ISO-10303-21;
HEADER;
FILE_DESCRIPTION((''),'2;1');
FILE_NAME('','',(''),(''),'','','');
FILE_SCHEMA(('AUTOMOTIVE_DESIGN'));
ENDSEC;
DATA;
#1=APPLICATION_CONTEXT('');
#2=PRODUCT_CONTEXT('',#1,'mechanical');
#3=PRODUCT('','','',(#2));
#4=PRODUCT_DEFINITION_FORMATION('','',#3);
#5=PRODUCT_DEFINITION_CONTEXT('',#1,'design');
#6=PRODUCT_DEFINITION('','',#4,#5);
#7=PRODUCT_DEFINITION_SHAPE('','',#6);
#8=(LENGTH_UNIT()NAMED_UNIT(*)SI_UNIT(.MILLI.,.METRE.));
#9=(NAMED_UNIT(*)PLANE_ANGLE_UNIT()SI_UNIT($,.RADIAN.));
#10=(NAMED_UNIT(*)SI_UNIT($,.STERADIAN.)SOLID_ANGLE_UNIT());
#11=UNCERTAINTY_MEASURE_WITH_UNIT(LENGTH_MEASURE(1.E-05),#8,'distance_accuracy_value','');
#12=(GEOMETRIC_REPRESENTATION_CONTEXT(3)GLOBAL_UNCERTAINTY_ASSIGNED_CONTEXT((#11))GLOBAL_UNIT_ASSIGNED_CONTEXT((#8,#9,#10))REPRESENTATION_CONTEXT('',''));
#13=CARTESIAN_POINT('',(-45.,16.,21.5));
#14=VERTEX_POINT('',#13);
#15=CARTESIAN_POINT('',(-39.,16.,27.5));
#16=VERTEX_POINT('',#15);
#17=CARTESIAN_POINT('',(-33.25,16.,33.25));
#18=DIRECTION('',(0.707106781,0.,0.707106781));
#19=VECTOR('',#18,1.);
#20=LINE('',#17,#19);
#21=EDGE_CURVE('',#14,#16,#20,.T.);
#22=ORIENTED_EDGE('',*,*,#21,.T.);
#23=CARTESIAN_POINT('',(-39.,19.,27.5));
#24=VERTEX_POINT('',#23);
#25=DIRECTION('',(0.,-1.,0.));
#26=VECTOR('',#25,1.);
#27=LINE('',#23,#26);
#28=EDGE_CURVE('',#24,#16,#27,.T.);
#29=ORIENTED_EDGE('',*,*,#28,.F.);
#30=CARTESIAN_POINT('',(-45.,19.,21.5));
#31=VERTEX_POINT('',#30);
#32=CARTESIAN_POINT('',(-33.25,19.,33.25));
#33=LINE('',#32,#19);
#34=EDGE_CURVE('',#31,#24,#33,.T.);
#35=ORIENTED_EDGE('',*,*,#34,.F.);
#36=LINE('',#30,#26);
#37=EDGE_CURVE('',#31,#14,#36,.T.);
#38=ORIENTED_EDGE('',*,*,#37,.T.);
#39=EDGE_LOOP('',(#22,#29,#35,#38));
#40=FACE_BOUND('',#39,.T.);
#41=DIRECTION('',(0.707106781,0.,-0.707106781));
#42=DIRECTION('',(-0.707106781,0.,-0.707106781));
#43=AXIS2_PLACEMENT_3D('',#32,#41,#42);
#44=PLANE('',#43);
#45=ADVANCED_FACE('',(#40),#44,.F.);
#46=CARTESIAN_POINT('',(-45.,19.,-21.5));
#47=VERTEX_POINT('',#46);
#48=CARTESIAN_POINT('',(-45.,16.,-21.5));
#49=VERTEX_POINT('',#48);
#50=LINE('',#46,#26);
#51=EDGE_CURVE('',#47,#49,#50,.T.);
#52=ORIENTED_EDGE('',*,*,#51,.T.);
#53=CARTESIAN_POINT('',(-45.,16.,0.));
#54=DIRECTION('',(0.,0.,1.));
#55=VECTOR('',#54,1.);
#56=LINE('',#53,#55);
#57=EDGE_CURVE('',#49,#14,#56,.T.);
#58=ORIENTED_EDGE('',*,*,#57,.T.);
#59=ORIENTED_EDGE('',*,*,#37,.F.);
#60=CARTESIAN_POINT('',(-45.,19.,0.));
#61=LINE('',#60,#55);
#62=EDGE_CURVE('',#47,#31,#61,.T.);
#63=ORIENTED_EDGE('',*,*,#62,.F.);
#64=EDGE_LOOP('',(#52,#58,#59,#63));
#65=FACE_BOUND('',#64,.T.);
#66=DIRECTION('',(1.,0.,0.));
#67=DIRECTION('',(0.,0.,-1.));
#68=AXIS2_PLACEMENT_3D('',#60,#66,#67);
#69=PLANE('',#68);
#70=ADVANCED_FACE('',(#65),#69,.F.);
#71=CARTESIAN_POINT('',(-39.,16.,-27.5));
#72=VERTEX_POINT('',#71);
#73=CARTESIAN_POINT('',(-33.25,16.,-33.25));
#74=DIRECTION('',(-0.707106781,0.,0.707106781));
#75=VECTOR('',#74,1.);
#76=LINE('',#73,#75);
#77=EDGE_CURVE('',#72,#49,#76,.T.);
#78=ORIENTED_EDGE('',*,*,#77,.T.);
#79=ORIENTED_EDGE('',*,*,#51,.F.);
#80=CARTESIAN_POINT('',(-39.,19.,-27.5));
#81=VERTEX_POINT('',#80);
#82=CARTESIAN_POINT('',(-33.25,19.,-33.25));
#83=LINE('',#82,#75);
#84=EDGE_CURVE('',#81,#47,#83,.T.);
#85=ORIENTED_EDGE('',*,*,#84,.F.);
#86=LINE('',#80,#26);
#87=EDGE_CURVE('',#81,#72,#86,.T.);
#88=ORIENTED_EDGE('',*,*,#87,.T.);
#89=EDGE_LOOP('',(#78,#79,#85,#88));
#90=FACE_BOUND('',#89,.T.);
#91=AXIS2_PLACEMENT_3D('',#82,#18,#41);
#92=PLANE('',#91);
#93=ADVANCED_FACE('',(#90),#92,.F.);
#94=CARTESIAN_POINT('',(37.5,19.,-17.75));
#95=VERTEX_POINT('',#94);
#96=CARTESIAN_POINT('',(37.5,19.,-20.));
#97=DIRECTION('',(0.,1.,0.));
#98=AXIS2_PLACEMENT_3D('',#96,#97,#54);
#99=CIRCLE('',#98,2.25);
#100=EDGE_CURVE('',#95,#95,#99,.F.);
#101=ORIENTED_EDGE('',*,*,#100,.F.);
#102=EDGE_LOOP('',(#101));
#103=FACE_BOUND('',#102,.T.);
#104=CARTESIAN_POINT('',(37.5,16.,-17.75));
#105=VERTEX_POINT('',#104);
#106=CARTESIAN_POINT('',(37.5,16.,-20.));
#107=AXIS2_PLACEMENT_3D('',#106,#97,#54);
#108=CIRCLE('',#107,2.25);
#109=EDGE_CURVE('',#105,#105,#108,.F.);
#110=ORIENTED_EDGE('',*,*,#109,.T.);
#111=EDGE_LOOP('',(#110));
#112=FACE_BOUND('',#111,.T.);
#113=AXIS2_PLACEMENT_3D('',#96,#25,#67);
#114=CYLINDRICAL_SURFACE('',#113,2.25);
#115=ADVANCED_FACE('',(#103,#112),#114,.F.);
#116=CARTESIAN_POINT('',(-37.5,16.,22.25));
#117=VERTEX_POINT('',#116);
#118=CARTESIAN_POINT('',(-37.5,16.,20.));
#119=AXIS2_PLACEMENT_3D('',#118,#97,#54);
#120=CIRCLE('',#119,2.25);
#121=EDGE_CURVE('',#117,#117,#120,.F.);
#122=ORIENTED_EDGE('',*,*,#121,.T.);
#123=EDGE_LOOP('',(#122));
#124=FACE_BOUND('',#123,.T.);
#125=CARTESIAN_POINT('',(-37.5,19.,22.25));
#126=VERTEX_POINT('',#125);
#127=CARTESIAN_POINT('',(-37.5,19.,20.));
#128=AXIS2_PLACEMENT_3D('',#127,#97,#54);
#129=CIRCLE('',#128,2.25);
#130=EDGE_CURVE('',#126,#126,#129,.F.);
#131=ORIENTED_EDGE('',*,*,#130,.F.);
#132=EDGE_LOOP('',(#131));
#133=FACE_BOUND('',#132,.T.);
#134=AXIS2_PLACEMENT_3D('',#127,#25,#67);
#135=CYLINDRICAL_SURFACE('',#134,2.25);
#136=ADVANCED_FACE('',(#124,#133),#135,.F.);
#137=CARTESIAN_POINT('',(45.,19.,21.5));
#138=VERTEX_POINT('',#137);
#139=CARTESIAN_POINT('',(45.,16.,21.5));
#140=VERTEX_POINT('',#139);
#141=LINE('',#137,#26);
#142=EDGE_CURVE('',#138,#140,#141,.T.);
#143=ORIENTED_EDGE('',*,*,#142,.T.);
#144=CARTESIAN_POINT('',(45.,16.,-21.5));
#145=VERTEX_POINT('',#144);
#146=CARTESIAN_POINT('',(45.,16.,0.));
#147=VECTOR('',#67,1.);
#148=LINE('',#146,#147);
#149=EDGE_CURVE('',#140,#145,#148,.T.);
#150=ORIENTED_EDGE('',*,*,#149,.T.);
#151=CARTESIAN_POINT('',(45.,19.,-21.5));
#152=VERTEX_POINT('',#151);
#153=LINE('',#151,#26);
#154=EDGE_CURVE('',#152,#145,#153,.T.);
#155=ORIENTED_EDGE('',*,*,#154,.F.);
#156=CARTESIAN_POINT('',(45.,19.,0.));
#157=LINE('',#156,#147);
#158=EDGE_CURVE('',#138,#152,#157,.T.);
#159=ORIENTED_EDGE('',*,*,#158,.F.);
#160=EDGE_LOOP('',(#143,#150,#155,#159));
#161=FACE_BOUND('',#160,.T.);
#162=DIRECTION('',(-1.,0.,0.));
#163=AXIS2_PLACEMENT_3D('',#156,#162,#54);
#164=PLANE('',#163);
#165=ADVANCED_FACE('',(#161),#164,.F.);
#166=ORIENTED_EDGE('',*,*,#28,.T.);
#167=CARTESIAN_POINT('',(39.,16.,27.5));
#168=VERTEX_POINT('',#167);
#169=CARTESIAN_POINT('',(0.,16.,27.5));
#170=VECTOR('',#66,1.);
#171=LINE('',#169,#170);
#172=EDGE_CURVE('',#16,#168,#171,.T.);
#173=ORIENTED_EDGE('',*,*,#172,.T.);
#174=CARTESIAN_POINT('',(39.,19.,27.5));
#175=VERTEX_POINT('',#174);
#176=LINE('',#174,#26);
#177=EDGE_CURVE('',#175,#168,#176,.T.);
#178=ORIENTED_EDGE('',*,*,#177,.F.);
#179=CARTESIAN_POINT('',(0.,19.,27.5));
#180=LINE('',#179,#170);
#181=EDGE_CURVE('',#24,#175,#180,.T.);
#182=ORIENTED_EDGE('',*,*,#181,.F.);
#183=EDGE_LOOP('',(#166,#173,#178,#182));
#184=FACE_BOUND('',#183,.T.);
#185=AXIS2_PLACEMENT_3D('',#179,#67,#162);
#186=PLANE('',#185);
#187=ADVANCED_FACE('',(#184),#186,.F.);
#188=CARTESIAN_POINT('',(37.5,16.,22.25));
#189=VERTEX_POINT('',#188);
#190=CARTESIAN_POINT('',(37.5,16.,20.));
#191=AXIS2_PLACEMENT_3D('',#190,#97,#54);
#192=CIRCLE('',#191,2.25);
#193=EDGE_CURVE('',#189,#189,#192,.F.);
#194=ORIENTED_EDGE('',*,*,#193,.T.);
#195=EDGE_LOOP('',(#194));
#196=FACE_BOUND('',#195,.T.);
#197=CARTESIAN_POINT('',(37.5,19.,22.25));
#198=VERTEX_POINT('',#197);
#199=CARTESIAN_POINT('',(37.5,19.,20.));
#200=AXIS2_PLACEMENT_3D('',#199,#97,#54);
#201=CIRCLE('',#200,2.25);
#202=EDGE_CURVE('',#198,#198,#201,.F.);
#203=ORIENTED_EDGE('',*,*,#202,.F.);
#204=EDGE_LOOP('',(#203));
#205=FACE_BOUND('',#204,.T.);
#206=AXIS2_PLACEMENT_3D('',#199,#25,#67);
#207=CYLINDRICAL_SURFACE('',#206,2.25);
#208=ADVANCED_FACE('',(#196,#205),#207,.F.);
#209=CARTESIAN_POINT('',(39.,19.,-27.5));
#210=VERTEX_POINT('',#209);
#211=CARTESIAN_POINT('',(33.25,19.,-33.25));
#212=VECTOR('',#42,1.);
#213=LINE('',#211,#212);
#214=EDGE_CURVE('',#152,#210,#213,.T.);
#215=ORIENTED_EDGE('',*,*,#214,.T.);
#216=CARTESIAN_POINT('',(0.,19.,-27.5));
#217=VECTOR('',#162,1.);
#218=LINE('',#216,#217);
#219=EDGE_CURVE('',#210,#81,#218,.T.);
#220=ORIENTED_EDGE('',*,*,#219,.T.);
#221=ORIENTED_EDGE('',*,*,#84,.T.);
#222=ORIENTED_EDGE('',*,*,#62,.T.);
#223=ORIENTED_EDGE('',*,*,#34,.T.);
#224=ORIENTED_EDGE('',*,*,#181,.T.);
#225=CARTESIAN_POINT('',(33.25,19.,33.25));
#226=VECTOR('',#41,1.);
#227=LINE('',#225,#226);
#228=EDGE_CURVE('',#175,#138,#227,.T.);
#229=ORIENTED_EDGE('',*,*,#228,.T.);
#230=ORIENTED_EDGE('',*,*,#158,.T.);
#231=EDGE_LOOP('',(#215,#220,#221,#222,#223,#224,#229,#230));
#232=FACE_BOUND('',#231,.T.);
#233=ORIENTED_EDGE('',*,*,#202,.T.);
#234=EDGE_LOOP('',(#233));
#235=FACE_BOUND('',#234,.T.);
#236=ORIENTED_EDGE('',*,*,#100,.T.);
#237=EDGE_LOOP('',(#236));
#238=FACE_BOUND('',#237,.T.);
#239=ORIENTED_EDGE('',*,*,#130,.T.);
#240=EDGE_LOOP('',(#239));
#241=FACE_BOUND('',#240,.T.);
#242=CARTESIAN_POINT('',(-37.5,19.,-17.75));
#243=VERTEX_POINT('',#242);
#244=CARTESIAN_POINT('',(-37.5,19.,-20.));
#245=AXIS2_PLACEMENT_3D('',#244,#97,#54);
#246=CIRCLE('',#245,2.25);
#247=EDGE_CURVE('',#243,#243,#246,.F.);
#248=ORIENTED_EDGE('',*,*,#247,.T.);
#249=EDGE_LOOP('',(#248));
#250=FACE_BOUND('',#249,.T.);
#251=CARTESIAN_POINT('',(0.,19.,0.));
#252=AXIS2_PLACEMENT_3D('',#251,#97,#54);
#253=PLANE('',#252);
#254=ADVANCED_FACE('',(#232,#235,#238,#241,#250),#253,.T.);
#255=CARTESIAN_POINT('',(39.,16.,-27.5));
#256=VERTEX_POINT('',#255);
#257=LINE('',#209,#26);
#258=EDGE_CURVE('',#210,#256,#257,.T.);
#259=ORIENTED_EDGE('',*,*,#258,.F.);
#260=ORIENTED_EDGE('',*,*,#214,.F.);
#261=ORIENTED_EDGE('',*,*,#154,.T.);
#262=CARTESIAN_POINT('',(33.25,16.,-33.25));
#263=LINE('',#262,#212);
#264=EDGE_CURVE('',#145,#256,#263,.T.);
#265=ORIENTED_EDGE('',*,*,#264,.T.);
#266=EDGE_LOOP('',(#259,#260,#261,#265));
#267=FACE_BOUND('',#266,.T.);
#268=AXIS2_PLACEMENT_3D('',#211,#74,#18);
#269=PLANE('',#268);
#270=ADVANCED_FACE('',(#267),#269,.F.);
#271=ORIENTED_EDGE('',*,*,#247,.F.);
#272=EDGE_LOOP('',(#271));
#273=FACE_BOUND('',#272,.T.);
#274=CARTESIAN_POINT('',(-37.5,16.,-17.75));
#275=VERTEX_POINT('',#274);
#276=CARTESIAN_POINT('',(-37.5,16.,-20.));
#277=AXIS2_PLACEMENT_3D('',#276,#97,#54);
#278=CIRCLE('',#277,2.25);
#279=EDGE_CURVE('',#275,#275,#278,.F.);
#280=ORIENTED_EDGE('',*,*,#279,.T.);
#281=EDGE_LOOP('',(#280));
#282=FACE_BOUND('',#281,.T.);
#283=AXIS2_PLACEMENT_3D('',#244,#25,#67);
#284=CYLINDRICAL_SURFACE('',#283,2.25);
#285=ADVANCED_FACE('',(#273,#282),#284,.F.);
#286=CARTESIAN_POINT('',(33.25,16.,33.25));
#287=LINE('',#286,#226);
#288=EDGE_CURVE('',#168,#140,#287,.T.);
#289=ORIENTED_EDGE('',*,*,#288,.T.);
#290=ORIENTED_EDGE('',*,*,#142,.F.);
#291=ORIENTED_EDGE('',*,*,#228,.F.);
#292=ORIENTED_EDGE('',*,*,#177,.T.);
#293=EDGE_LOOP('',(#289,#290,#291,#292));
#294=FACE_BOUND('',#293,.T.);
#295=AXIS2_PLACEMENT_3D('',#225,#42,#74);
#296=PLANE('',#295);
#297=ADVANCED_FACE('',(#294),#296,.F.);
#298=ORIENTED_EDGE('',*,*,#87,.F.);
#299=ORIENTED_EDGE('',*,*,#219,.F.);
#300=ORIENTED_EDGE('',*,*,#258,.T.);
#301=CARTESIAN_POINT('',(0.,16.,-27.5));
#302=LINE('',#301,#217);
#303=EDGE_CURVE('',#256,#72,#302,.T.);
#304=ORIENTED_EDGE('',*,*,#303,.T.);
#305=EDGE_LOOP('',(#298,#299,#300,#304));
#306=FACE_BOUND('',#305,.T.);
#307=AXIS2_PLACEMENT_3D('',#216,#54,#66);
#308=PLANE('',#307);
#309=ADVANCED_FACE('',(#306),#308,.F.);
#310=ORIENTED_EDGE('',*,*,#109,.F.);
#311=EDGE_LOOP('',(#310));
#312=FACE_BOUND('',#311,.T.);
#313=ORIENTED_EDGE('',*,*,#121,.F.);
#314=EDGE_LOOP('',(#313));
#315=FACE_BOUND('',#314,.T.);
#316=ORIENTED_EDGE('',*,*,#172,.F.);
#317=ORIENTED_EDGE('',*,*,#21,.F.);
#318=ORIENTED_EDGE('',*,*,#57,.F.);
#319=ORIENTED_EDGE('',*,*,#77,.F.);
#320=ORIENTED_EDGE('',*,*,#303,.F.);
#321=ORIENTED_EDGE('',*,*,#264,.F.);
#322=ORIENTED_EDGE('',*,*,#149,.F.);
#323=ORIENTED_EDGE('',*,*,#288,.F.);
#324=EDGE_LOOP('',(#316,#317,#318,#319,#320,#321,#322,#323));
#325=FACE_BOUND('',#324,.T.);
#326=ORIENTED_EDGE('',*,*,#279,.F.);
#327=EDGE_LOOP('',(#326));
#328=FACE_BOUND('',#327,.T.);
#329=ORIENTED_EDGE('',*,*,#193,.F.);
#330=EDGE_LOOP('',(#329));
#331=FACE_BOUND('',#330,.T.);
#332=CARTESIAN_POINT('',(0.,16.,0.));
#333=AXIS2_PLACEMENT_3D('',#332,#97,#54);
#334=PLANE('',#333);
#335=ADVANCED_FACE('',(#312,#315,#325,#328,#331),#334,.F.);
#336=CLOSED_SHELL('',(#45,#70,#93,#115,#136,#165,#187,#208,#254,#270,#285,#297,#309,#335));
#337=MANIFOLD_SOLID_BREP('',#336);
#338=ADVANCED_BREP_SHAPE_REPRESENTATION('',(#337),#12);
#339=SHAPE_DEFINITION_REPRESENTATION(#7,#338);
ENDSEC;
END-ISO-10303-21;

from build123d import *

# Parameters (mm, degrees)
SKETCH1_W            = 90
SKETCH1_H            = 55
BOSS_EXTRUDE1_DEPTH  = 16
SKETCH2_W            = 22
SKETCH2_H            = 1.75
SKETCH2_H_2          = 12.5
CUT_EXTRUDE1_DEPTH   = 4
SKETCH3_W            = 20
SKETCH3_H            = 13
CUT_EXTRUDE2_DEPTH   = 20
CHAMFER1_SIZE        = 6
M4_CLEARANCE_HOLE1_D = 4.5
SKETCH7_W            = 27.5
SKETCH7_H            = 8.5
CUT_EXTRUDE3_DEPTH   = 3
SKETCH8_W            = 16.5
SKETCH8_H            = 8.5
CUT_EXTRUDE4_DEPTH   = 12
SKETCH9_R            = 2.25
CUT_EXTRUDE5_DEPTH   = 17
CHAMFER2_SIZE        = 5
SKETCH10_W           = 4
SKETCH10_H           = 22.5
SKETCH10_R           = 2.25
BOSS_EXTRUDE2_DEPTH  = 3


with BuildPart() as part:
    # Sketch1 → Boss-Extrude1 (new body)
    with BuildSketch(Plane(origin=(0, 0, 0), x_dir=(1, 0, 0), z_dir=(0, 1, 0))):
        Rectangle(SKETCH1_W, SKETCH1_H)
    extrude(amount=BOSS_EXTRUDE1_DEPTH)

    # Sketch2 → Cut-Extrude1 (cut)
    with BuildSketch(Plane.ZY.offset(45)):
        with Locations((0, 15.125)):
            Rectangle(SKETCH2_W, SKETCH2_H)
        Polygon((11, 16), (11, 14.25), (13, 14.25), (11.25, 16), align=None)
        Polygon((-11.25, 16), (-13, 14.25), (-11, 14.25), (-11, 16), align=None)
        Polygon((-17.5, 14.25), (-17.5, 1.75), (-13, 1.75), (-11, 1.75), (-11, 14.25), (-13, 14.25), align=None)
        with Locations((0, 8)):
            Rectangle(SKETCH2_W, SKETCH2_H_2)
        Polygon((11, 14.25), (11, 1.75), (13, 1.75), (17.5, 1.75), (17.5, 14.25), (13, 14.25), align=None)
        with Locations((0, 0.875)):
            Rectangle(SKETCH2_W, SKETCH2_H)
        Polygon((13, 1.75), (11, 1.75), (11, 0), (11.25, 0), align=None)
        Polygon((-11, 1.75), (-13, 1.75), (-11.25, 0), (-11, 0), align=None)
    extrude(amount=-CUT_EXTRUDE1_DEPTH, mode=Mode.SUBTRACT)

    # Sketch3 → Cut-Extrude2 (cut)
    with BuildSketch(Plane.ZY.offset(41)):
        with Locations((0, 8)):
            Rectangle(SKETCH3_W, SKETCH3_H)
    extrude(amount=-CUT_EXTRUDE2_DEPTH, mode=Mode.SUBTRACT)

    # Chamfer1
    chamfer1_edges = [part.edges().sort_by_distance(p)[0] for p in [
        (45, 8, 27.5),
        (-45, 8, 27.5),
        (-45, 8, -27.5),
        (45, 8, -27.5),
    ]]
    chamfer(chamfer1_edges, length=CHAMFER1_SIZE)

    # M4 Clearance Hole1 (through all)
    with Locations(Plane(origin=(0, 16, 0), x_dir=(1, 0, 0), z_dir=(0, 1, 0))):
        with Locations((0, 0), (37.5, 20), (-37.5, -20), (-37.5, 20), (37.5, -20)):
            Hole(M4_CLEARANCE_HOLE1_D / 2)

    # Sketch7 → Cut-Extrude3 (cut)
    with BuildSketch(Plane(origin=(45, 0, 0), x_dir=(0, 0, -1), z_dir=(1, 0, 0))):
        with Locations((0, 8)):
            Rectangle(SKETCH7_W, SKETCH7_H)
    extrude(amount=-CUT_EXTRUDE3_DEPTH, mode=Mode.SUBTRACT)

    # Sketch8 → Cut-Extrude4 (cut)
    with BuildSketch(Plane(origin=(42, 0, 0), x_dir=(0, 0, -1), z_dir=(1, 0, 0))):
        with Locations((0, 8)):
            Rectangle(SKETCH8_W, SKETCH8_H)
    extrude(amount=-CUT_EXTRUDE4_DEPTH, mode=Mode.SUBTRACT)

    # Sketch9 → Cut-Extrude5 (cut, through all)
    with BuildSketch(Plane(origin=(0, 16, 0), x_dir=(1, 0, 0), z_dir=(0, 1, 0))):
        Polygon((30, -12.5), (40, -12.5), (40, 12.5), (30, 12.5), (30, 22.5), (-30, 22.5), (-30, 12.5), (-36, 12.5), (-36, -12.5), (-30, -12.5), (-30, -22.5), (30, -22.5), align=None)
        Circle(SKETCH9_R, mode=Mode.SUBTRACT)
    extrude(amount=-CUT_EXTRUDE5_DEPTH, mode=Mode.SUBTRACT)

    # Chamfer2
    chamfer2_edges = [part.edges().sort_by_distance(p)[0] for p in [
        (30, 8, -12.5),
        (30, 8, 12.5),
        (-30, 8, 12.5),
        (-30, 8, -12.5),
    ]]
    chamfer(chamfer2_edges, length=CHAMFER2_SIZE)


with BuildPart() as body_2:
    # Sketch10 → Boss-Extrude2 (new body)
    with BuildSketch(Plane(origin=(0, 16, 0), x_dir=(1, 0, 0), z_dir=(0, 1, 0))):
        with Locations((-43, 0)):
            Rectangle(SKETCH10_W, SKETCH10_H)
        Polygon((39, -27.5), (45, -21.5), (45, 21.5), (39, 27.5), (-39, 27.5), (-45, 21.5), (-45, 11.25), (-41, 11.25), (-41, -11.25), (-45, -11.25), (-45, -21.5), (-39, -27.5), align=None)
        with Locations((37.5, -20)):
            Circle(SKETCH10_R, mode=Mode.SUBTRACT)
        with Locations((-37.5, -20)):
            Circle(SKETCH10_R, mode=Mode.SUBTRACT)
        with Locations((37.5, 20)):
            Circle(SKETCH10_R, mode=Mode.SUBTRACT)
        with Locations((-37.5, 20)):
            Circle(SKETCH10_R, mode=Mode.SUBTRACT)
        Polygon((-36, -12.5), (-36, 12.5), (-35, 12.5), (-30, 17.5), (-30, 22.5), (30, 22.5), (30, 17.5), (35, 12.5), (40, 12.5), (40, -12.5), (35, -12.5), (30, -17.5), (30, -22.5), (-30, -22.5), (-30, -17.5), (-35, -12.5), align=None, mode=Mode.SUBTRACT)
        Polygon((-36, 12.5), (-35, 12.5), (-30, 17.5), (-30, 22.5), (30, 22.5), (30, 17.5), (35, 12.5), (40, 12.5), (40, -12.5), (35, -12.5), (30, -17.5), (30, -22.5), (-30, -22.5), (-30, -17.5), (-35, -12.5), (-36, -12.5), align=None)
    extrude(amount=BOSS_EXTRUDE2_DEPTH)


solid = body_2.part
